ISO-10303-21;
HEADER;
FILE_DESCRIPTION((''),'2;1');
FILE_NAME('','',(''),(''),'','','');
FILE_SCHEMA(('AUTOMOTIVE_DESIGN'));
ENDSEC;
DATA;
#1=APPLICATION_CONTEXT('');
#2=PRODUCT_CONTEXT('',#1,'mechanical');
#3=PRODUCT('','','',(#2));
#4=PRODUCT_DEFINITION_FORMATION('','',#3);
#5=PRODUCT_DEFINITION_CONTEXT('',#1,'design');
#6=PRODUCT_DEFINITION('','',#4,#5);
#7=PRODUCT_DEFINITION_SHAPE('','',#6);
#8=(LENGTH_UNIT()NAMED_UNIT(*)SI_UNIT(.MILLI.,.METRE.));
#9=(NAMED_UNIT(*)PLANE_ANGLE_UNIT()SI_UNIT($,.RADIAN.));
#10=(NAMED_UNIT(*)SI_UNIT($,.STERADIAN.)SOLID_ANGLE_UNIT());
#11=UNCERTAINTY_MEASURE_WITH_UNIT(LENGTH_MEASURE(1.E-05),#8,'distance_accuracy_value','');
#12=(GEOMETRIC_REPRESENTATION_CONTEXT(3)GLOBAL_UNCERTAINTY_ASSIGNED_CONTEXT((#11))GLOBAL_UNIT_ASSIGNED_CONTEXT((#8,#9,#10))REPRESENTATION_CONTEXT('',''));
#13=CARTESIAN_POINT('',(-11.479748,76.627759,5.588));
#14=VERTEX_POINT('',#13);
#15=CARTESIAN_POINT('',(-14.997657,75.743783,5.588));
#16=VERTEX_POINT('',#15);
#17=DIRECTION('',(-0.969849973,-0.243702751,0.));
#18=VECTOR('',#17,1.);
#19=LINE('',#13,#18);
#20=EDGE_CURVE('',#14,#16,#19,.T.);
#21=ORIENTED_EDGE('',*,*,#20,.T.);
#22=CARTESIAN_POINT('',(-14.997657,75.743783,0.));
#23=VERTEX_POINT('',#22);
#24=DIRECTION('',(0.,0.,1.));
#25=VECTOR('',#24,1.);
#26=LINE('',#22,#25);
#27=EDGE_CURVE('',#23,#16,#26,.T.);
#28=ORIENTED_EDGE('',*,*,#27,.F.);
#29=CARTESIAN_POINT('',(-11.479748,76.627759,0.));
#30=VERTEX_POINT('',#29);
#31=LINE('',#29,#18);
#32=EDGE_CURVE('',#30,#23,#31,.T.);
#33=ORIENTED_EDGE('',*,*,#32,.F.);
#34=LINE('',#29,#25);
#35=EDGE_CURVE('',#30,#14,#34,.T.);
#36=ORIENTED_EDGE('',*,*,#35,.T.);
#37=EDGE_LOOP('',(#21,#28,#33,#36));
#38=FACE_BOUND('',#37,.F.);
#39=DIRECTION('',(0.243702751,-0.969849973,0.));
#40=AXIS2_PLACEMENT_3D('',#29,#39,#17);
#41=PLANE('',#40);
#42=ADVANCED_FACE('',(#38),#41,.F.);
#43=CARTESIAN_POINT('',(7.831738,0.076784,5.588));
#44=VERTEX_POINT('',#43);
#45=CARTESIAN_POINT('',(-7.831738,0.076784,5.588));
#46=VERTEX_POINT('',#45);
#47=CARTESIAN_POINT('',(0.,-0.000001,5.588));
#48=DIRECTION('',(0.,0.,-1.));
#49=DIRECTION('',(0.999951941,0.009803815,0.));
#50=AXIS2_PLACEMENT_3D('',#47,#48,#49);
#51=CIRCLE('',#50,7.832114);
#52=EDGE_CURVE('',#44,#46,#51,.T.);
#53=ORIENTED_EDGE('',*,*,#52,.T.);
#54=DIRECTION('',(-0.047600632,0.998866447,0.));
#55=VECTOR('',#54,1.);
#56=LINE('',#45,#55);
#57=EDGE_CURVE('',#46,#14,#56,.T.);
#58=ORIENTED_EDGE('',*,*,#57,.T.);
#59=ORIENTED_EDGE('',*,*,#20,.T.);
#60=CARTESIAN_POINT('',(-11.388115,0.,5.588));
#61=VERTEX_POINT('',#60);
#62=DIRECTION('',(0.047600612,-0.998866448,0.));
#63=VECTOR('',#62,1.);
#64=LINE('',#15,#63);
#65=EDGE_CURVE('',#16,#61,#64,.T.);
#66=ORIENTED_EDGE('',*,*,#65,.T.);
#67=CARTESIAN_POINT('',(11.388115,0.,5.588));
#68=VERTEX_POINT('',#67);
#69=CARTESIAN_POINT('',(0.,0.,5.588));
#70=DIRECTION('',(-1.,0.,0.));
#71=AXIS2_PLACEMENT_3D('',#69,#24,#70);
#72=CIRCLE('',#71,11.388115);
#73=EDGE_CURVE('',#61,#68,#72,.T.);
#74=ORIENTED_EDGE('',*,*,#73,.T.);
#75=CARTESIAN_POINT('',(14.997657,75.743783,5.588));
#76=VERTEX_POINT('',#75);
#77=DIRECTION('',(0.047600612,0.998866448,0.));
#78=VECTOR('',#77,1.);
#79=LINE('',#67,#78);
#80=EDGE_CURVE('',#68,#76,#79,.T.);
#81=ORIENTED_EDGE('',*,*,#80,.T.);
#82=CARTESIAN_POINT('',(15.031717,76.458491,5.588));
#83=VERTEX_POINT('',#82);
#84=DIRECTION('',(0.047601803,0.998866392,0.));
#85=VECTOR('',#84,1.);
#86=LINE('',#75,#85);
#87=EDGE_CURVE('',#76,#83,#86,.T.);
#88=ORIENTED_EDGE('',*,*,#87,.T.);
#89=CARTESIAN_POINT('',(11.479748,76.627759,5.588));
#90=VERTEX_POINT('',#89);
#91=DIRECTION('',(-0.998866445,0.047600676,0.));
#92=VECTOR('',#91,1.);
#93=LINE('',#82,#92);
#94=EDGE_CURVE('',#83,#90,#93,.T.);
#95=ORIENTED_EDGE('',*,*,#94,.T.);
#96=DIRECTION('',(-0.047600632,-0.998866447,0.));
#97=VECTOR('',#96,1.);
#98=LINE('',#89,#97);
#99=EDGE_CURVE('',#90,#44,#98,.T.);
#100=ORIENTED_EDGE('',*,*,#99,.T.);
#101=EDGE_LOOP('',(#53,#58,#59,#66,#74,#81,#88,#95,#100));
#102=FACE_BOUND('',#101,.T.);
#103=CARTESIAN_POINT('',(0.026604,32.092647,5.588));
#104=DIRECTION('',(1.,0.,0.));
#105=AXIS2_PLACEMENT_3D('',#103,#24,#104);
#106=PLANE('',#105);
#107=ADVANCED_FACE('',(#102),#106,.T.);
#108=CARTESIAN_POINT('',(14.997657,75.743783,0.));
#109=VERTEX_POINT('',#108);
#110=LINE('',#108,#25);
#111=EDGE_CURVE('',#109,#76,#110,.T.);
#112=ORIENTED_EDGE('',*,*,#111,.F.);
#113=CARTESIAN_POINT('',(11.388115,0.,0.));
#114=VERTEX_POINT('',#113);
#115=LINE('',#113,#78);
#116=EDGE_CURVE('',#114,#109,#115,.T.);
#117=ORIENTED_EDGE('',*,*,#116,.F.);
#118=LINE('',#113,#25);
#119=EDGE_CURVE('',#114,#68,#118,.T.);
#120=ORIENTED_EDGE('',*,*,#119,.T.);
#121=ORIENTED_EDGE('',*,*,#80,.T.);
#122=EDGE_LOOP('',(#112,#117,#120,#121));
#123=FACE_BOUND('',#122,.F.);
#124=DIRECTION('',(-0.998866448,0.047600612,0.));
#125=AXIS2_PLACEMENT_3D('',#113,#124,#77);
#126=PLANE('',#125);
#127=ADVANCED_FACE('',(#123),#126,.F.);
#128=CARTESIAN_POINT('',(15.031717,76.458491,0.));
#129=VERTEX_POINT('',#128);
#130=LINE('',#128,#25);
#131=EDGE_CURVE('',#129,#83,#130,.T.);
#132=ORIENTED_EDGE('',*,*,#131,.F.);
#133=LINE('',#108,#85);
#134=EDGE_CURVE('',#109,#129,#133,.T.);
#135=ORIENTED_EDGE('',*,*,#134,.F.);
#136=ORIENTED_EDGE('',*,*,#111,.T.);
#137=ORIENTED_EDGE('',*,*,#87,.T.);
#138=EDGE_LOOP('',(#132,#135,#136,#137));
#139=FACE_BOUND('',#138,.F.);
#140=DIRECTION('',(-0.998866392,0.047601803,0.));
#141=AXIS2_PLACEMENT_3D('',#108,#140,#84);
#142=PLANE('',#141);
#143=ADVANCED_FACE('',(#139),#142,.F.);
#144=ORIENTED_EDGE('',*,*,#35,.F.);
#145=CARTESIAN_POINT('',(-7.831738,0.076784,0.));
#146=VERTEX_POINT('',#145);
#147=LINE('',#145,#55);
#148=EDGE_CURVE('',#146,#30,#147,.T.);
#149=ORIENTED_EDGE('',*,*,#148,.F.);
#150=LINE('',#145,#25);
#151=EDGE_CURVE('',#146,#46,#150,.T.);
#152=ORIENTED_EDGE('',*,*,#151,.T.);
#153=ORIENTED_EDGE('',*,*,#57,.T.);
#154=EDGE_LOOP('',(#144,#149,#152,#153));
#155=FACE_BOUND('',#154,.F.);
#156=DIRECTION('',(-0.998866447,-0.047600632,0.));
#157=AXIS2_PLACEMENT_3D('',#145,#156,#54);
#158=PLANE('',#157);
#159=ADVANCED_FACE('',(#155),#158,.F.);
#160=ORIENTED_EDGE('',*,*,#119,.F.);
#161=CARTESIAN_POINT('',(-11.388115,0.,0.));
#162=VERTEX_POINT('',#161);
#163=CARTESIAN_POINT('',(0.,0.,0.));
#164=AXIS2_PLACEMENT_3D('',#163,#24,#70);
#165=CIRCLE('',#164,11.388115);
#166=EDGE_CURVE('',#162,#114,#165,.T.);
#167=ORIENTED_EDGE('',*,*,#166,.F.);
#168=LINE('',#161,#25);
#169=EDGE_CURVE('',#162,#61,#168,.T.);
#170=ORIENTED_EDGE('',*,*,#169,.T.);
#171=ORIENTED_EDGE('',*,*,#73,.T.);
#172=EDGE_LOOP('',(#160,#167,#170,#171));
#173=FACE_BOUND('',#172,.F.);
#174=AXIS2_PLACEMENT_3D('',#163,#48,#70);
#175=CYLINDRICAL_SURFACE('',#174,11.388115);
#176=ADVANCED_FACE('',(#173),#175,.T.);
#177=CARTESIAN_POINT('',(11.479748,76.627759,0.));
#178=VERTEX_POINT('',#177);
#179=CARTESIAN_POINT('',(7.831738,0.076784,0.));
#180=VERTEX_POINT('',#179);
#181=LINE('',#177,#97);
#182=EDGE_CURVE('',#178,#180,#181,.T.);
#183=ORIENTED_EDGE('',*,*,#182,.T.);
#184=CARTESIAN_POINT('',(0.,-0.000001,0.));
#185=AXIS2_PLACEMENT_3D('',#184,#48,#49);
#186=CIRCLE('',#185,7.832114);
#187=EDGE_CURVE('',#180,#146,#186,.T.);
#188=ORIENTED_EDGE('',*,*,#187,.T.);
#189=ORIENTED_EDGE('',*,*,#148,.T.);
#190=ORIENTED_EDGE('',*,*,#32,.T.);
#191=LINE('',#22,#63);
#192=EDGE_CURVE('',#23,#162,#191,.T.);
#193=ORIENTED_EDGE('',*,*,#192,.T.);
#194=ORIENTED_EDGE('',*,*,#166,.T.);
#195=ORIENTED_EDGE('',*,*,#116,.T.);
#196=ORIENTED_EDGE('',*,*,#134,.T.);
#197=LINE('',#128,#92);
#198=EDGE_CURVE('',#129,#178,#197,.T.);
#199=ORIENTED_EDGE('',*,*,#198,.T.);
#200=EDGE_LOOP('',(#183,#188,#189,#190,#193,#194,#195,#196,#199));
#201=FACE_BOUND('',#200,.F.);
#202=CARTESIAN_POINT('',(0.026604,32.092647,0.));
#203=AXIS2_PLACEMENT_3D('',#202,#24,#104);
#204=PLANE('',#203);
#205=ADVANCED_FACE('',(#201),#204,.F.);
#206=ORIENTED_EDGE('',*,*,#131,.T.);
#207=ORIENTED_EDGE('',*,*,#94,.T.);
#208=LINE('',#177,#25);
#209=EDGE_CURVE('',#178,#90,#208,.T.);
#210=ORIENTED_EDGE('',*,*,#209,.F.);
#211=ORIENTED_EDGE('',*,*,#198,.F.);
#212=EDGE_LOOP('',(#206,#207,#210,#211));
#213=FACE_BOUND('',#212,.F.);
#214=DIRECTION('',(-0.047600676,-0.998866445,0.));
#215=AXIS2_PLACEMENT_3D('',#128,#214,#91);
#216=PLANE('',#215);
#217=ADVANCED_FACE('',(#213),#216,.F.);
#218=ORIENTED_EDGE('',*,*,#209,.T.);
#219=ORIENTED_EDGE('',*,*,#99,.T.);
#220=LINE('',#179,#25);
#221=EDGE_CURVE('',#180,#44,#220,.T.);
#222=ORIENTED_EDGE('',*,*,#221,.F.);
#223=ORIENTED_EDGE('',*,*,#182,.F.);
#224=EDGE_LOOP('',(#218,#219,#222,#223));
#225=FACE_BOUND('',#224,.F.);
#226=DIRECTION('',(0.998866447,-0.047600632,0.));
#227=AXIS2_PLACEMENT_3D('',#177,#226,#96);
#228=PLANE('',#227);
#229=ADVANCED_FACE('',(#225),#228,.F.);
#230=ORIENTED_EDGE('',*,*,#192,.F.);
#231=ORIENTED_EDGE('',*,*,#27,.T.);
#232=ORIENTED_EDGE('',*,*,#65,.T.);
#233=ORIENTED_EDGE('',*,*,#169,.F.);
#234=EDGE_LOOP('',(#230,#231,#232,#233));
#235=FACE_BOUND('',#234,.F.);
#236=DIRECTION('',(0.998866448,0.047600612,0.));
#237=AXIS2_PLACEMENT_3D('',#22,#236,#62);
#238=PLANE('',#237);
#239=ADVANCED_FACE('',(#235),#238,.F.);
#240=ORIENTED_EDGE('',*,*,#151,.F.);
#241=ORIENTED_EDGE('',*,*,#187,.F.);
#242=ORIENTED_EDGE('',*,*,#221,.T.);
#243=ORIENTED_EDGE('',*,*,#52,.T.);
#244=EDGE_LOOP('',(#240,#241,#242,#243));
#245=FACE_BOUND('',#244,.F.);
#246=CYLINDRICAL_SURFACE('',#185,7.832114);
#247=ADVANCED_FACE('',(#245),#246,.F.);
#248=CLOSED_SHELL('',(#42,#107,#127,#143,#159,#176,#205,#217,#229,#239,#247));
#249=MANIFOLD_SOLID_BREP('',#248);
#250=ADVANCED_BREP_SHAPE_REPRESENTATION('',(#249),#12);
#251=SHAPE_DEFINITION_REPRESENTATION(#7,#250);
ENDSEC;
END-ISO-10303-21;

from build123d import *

# Parameters (mm, degrees)
F1_DEPTH = 5.588


with BuildPart() as f1:
    # F0 (on Top) → F1 (new body)
    with BuildSketch(Plane.XY):
        with BuildLine():
            Line((-14.997657, 75.743783), (-11.388115, 0))
            ThreePointArc((-11.388115, 0), (0, -11.388115), (11.388115, 0))
            Line((11.388115, 0), (14.997657, 75.743783))
            Line((14.997657, 75.743783), (15.031717, 76.458491))
            Line((15.031717, 76.458491), (11.479748, 76.627759))
            Line((11.479748, 76.627759), (7.831738, 0.076784))
            ThreePointArc((7.831738, 0.076784), (0, -7.832115), (-7.831738, 0.076784))
            Line((-7.831738, 0.076784), (-11.479748, 76.627759))
            Line((-11.479748, 76.627759), (-14.997657, 75.743783))
        make_face()
    extrude(amount=F1_DEPTH)


solid = f1.part
